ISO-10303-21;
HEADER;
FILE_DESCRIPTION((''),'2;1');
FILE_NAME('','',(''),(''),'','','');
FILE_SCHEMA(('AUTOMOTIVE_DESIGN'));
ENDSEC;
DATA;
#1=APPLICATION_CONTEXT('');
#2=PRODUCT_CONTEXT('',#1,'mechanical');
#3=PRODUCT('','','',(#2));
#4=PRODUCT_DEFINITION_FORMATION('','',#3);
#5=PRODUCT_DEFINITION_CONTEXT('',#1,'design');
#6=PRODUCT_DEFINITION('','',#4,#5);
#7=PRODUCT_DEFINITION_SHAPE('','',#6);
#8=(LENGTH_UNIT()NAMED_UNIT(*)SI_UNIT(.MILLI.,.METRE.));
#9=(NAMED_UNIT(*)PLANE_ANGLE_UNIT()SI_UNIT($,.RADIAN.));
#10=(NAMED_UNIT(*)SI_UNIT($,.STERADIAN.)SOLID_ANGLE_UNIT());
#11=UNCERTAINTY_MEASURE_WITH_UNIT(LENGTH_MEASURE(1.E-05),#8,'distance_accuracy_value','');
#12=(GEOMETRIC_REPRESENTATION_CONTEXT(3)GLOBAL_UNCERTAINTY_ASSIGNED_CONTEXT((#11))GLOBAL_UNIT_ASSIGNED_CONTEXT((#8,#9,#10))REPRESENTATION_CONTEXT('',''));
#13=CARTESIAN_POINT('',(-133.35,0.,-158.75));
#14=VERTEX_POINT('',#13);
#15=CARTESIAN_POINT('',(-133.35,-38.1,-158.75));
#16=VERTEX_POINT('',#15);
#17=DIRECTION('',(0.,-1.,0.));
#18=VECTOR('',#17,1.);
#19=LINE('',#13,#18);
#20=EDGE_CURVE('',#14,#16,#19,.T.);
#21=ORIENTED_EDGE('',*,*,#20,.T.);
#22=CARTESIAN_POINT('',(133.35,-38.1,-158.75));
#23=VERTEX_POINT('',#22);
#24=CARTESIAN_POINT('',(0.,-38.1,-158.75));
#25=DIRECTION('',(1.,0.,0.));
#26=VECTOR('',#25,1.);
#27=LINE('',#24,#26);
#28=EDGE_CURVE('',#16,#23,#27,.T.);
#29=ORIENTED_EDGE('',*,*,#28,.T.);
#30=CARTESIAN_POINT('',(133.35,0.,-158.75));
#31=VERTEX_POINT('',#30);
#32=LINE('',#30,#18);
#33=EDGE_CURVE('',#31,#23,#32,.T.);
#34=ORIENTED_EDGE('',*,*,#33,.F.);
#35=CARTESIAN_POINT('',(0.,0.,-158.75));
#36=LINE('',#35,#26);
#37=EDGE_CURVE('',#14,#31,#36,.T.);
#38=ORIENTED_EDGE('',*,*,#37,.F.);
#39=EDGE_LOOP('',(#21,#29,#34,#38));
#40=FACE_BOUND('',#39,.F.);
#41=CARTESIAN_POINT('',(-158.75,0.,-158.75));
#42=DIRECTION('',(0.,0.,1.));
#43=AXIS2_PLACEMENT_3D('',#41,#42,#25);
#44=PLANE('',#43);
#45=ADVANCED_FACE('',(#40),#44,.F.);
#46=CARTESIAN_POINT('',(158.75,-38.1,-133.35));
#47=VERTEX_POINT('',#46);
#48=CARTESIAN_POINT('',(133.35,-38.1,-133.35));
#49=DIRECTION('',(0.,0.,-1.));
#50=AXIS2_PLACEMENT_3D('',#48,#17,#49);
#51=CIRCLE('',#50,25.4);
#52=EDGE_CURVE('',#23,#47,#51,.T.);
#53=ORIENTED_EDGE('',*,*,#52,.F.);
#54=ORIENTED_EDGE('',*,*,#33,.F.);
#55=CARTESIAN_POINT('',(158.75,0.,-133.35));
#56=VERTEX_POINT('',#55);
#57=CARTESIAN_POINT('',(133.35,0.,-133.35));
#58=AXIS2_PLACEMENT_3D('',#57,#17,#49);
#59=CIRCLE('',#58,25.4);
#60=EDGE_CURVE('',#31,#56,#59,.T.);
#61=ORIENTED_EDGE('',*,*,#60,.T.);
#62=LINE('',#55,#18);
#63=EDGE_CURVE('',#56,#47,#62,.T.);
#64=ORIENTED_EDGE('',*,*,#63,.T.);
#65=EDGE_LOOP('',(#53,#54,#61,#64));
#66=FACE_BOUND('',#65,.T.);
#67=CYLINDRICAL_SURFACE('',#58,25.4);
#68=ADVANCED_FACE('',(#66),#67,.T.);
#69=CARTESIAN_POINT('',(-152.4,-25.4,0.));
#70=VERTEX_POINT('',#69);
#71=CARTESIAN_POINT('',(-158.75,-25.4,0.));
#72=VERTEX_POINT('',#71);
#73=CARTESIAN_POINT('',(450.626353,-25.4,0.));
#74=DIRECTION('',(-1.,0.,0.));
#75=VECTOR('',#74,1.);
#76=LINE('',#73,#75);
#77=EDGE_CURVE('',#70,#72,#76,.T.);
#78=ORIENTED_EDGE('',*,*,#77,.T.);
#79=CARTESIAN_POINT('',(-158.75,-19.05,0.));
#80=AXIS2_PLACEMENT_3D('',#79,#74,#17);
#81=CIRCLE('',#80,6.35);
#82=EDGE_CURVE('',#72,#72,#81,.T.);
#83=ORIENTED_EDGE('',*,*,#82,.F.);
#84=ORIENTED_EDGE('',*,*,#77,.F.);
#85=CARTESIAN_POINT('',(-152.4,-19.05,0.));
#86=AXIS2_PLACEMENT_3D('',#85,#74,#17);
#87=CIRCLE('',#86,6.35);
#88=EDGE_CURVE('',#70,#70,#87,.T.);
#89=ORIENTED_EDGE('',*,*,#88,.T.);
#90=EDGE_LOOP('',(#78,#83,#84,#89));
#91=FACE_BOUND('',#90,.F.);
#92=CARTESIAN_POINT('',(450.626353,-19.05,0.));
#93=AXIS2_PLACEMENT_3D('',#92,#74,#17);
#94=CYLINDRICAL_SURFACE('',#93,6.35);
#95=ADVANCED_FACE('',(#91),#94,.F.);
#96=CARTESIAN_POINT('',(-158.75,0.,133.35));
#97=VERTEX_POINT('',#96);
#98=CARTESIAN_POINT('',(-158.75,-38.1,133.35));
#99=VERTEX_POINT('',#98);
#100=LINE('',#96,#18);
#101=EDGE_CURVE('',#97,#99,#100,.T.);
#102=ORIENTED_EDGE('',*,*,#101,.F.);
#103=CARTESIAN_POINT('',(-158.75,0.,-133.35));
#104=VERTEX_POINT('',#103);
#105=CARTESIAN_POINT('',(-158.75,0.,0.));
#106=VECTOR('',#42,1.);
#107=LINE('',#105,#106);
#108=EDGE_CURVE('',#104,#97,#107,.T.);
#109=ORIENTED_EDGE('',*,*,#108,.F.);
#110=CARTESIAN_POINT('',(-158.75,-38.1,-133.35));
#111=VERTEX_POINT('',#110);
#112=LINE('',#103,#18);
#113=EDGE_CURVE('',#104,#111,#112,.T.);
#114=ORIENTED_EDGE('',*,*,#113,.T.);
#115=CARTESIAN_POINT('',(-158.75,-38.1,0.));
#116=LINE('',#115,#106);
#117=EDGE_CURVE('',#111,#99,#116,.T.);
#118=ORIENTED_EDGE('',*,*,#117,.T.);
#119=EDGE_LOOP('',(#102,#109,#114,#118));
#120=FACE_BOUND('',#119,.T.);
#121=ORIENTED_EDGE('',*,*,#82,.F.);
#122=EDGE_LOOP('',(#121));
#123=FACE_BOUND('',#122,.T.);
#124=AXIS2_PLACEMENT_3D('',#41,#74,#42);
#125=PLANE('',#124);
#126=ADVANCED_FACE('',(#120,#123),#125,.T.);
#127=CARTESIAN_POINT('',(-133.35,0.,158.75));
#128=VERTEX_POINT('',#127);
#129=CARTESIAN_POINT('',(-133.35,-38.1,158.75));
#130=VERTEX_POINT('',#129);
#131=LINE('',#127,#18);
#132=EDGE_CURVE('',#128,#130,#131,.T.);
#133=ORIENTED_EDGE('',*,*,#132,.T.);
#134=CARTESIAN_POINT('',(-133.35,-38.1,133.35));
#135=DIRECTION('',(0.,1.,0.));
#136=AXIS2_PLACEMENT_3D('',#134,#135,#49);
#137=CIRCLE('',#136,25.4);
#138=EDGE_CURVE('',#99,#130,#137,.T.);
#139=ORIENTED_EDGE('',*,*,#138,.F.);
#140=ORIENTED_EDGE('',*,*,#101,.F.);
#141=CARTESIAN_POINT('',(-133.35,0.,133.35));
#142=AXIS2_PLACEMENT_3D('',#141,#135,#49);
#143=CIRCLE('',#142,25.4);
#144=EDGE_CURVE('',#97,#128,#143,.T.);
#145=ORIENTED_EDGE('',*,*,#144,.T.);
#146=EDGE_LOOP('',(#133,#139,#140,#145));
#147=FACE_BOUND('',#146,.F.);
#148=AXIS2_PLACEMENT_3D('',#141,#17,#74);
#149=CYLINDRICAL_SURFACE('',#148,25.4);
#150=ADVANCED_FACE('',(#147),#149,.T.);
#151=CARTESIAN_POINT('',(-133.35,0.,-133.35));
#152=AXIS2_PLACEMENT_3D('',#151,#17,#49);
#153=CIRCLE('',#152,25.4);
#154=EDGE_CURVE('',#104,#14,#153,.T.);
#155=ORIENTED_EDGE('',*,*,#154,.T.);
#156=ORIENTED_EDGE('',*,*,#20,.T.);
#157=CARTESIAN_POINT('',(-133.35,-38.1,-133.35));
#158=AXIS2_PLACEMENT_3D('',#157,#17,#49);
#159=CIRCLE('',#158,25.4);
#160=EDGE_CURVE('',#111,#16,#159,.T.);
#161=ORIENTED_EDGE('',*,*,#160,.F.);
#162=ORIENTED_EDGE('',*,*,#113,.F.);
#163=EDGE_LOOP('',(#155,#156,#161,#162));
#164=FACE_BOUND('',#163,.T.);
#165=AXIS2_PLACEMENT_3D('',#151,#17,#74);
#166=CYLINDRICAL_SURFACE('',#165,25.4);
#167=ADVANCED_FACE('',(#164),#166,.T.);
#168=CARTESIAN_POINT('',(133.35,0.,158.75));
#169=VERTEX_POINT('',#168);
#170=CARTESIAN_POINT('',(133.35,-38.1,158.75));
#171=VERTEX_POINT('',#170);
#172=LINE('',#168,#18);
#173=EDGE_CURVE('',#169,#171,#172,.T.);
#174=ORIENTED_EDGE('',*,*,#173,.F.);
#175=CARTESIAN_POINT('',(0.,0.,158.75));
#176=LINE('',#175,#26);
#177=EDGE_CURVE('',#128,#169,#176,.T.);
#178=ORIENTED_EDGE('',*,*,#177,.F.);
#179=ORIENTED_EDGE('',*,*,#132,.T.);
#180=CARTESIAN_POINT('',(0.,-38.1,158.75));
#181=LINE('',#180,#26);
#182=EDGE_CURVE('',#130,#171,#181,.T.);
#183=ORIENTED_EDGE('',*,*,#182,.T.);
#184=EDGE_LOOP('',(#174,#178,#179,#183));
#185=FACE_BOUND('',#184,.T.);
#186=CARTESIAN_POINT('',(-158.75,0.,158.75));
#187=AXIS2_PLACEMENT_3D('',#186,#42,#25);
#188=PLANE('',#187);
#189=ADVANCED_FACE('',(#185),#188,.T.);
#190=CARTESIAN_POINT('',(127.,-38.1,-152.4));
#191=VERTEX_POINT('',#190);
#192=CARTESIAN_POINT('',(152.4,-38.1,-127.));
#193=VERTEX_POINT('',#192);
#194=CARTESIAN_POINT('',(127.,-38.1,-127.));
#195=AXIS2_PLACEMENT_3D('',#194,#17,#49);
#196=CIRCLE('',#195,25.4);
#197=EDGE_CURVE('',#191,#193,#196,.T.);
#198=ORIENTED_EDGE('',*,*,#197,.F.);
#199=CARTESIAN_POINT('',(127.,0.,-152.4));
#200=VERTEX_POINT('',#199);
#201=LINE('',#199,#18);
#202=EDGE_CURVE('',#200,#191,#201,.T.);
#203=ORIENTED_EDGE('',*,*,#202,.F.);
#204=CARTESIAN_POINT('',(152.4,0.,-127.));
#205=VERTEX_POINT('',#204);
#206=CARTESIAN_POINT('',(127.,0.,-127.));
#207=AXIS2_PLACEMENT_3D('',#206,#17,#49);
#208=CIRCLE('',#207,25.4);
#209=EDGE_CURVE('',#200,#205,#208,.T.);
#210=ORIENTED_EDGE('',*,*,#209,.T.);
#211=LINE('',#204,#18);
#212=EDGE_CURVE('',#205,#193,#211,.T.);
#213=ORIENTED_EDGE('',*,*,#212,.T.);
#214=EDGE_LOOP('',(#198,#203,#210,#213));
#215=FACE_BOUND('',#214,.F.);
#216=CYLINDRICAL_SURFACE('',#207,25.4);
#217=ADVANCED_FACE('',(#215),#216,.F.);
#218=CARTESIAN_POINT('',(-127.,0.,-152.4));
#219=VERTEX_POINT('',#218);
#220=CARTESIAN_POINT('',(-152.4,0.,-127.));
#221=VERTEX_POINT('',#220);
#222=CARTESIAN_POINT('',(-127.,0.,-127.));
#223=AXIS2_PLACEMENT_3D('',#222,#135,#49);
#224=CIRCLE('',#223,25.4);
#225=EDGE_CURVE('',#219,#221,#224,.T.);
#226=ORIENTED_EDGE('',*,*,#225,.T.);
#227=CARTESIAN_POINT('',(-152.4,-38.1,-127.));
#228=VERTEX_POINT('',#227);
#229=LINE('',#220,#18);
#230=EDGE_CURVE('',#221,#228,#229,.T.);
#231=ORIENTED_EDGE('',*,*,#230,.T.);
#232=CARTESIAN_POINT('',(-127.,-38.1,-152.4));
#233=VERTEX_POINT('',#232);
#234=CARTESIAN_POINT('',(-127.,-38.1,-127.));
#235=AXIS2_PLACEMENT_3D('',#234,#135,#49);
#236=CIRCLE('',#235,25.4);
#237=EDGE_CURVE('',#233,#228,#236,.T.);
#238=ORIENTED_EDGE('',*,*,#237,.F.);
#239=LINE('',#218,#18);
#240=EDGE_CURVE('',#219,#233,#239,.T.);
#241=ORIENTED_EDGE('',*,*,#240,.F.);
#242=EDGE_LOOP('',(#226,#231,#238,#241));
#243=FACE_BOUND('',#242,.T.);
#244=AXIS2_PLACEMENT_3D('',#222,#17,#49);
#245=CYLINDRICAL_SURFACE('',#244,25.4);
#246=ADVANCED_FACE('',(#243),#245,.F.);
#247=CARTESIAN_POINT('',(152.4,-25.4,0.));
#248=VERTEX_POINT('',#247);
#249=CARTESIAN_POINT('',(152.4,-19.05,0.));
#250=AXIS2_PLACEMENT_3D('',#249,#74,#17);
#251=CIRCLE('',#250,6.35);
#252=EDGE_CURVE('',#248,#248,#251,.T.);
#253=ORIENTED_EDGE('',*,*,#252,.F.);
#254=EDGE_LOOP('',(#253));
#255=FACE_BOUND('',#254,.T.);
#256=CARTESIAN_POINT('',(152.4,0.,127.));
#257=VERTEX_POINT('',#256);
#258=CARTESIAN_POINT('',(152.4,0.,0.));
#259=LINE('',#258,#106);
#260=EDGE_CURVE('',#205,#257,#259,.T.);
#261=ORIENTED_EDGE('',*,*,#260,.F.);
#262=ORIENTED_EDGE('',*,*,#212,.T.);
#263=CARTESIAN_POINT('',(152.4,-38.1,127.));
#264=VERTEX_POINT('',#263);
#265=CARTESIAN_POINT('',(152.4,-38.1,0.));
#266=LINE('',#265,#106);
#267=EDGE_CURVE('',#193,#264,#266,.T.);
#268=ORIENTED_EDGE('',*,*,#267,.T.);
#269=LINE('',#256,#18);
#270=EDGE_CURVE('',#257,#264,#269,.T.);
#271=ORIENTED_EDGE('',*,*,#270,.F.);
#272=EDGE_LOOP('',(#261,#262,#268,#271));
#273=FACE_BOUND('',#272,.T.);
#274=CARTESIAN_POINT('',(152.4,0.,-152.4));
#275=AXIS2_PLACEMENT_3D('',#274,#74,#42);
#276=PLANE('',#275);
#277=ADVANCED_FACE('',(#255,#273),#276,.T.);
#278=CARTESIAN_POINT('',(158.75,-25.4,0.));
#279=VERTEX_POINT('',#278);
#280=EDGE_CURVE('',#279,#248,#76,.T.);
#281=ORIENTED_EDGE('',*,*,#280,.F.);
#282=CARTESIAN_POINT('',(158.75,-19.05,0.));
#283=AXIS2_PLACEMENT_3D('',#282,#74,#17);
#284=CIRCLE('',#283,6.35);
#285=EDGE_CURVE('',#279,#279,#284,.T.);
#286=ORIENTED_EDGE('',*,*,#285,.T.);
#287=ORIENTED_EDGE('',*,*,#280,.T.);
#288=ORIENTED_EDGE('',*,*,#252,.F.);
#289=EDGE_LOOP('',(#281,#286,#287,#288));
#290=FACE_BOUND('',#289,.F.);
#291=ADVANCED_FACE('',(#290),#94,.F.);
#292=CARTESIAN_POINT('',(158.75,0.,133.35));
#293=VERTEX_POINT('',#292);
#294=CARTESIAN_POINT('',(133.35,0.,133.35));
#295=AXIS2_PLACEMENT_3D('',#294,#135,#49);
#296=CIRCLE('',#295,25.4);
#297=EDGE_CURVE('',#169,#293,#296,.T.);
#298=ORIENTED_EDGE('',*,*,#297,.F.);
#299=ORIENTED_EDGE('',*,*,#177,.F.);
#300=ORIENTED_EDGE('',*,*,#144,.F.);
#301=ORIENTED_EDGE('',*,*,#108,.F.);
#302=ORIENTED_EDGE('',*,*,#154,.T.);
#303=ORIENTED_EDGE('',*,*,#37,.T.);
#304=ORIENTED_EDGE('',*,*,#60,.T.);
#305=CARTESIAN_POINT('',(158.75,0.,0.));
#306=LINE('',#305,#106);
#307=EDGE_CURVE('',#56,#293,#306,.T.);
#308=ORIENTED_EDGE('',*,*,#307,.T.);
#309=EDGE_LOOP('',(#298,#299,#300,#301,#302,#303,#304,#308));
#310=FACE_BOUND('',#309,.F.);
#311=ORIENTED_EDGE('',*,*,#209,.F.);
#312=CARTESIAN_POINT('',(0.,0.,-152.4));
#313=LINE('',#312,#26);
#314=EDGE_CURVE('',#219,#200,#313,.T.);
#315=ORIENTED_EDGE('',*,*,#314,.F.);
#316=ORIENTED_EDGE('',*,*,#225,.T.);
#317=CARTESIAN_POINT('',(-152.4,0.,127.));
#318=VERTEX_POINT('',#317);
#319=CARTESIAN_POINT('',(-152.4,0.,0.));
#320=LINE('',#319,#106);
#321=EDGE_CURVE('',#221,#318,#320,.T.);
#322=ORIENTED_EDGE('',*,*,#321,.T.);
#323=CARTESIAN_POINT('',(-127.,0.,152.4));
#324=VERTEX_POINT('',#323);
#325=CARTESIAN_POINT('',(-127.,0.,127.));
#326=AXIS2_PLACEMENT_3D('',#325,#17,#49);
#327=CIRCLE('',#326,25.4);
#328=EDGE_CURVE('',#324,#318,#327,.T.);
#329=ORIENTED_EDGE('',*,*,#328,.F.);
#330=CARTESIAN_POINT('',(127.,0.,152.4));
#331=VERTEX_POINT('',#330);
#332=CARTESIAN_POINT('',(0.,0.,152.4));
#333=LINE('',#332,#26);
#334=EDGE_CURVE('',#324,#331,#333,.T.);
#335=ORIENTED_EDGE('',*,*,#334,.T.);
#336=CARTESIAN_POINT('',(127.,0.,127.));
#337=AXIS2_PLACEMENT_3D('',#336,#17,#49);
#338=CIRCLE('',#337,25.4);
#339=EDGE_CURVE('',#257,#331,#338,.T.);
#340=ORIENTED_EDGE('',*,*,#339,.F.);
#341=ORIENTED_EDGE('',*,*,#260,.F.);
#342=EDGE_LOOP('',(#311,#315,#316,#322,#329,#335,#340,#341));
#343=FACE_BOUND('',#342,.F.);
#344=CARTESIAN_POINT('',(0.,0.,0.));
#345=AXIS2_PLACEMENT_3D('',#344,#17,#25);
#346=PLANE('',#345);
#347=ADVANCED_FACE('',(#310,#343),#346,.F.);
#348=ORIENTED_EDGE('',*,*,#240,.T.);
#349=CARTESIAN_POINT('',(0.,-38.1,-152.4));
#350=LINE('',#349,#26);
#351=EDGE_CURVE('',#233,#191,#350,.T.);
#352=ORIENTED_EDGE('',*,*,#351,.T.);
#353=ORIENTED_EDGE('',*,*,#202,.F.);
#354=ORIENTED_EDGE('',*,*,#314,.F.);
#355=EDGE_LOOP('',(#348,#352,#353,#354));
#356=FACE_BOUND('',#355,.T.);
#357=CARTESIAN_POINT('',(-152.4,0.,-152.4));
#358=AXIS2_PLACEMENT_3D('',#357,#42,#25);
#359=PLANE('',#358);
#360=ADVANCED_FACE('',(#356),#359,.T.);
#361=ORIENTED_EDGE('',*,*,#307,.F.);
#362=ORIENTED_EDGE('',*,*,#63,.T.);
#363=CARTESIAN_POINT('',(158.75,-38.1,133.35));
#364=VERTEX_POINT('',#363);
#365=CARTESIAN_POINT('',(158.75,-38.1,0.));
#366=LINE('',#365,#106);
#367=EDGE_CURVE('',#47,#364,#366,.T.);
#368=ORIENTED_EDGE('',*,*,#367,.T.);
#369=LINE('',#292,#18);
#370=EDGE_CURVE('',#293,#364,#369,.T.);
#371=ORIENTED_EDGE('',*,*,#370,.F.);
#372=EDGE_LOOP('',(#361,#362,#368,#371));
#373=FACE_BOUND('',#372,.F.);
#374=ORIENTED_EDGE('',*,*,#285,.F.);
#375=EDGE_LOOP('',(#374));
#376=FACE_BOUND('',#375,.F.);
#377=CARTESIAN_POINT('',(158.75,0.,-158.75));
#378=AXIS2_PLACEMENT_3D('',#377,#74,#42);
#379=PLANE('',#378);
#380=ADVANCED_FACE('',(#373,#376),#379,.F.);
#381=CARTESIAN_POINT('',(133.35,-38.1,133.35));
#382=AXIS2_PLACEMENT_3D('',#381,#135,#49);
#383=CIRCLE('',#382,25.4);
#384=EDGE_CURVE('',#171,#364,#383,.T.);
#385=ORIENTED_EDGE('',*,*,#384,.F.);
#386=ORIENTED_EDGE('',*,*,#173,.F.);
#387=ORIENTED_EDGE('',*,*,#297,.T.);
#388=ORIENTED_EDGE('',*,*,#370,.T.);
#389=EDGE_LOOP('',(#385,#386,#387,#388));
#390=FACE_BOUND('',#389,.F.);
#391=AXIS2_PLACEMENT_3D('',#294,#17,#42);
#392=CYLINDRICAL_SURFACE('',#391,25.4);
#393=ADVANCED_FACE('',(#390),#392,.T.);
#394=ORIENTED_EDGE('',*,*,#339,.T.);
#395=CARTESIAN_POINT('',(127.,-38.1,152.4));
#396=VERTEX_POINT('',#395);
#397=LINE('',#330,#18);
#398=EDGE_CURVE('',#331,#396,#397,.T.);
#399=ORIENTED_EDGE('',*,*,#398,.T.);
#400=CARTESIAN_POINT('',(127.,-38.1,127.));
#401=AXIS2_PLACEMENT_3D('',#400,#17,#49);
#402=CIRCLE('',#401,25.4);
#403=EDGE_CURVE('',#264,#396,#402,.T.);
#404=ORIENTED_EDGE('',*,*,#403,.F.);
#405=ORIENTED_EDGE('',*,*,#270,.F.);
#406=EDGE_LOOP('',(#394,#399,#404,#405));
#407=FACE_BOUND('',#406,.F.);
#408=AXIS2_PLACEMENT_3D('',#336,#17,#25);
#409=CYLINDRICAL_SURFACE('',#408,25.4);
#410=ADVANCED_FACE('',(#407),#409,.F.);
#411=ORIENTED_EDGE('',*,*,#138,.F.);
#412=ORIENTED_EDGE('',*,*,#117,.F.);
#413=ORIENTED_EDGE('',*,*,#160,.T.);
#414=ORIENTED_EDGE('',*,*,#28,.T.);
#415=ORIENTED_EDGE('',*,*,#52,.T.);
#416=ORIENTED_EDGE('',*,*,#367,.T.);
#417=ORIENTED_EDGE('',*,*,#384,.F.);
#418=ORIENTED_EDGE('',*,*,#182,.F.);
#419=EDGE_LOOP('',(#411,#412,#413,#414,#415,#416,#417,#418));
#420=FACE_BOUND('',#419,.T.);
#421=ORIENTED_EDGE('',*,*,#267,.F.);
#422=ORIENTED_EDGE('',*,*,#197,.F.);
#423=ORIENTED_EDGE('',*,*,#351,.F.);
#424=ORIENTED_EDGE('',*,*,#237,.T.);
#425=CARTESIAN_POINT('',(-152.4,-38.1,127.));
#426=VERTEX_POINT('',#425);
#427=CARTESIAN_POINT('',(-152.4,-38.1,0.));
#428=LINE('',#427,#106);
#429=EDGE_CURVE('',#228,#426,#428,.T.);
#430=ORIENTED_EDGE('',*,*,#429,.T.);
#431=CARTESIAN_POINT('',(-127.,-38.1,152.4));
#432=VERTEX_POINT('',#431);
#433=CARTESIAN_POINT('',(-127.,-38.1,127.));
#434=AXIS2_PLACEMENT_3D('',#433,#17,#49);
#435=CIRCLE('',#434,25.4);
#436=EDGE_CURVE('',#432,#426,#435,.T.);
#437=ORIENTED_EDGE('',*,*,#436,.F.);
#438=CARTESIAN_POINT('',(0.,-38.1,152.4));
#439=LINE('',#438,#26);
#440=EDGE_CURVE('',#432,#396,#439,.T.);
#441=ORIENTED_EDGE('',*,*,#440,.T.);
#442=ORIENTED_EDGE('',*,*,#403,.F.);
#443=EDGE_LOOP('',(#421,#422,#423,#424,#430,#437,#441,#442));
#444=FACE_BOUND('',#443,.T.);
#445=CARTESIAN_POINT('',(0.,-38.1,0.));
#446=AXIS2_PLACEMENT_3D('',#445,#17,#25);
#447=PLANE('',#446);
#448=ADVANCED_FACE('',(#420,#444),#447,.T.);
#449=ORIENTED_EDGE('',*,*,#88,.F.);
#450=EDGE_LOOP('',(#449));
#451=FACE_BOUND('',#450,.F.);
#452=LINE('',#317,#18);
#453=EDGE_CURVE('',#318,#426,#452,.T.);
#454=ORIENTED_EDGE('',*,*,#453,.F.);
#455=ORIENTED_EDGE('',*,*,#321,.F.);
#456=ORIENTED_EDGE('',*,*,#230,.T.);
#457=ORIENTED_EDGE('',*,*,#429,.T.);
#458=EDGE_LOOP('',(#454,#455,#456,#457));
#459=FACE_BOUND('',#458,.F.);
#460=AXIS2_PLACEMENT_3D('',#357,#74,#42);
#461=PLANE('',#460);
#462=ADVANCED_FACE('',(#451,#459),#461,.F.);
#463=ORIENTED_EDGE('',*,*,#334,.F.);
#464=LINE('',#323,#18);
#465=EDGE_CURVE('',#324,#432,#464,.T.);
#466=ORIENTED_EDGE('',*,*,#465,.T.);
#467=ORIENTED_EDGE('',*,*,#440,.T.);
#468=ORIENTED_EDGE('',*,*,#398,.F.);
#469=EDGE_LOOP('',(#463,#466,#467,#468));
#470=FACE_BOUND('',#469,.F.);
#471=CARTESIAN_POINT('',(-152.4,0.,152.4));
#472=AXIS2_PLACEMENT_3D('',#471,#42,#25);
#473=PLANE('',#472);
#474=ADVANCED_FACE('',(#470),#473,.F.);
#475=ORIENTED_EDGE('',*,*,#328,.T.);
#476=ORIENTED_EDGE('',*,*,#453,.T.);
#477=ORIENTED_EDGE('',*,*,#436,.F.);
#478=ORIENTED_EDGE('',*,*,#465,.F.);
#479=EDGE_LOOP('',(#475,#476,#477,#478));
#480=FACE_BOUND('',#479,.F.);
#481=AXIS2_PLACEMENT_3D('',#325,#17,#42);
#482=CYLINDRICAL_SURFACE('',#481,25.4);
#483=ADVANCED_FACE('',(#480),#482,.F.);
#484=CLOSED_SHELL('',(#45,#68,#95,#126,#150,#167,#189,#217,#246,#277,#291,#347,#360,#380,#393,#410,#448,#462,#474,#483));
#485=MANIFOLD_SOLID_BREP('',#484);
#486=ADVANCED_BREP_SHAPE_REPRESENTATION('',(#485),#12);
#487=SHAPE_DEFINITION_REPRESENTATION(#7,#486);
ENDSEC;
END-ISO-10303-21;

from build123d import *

# Parameters (mm, degrees)
F0_W     = 317.5
F0_H     = 317.5
F0_W_2   = 304.8
F0_H_2   = 304.8
F1_DEPTH = 38.1
F2_R     = 25.4
F3_D     = 12.7
F4_D     = 12.7


with BuildPart() as f1:
    # F0 (on Front) → F1 (new body)
    with BuildSketch(Plane.XZ):
        Rectangle(F0_W, F0_H)
        Rectangle(F0_W_2, F0_H_2, mode=Mode.SUBTRACT)
    extrude(amount=F1_DEPTH)

    # F2
    f2_edges = [f1.edges().sort_by_distance(p)[0] for p in [
        (152.4, -19.05, -152.4),
        (-152.4, -19.05, -152.4),
        (-152.4, -19.05, 152.4),
        (152.4, -19.05, 152.4),
        (158.75, -19.05, -158.75),
        (158.75, -19.05, 158.75),
        (-158.75, -19.05, 158.75),
        (-158.75, -19.05, -158.75),
    ]]
    fillet(f2_edges, radius=F2_R)

    # F3 (through all)
    with Locations(Plane.YZ):
        with Locations((-19.05, 0)):
            Hole(F3_D / 2)

    # F4 (through all)
    with Locations(Plane(origin=(0, 0, 0), x_dir=(0, 1, 0), z_dir=(-1, 0, 0))):
        with Locations((-19.05, 0)):
            Hole(F4_D / 2)


solid = f1.part
